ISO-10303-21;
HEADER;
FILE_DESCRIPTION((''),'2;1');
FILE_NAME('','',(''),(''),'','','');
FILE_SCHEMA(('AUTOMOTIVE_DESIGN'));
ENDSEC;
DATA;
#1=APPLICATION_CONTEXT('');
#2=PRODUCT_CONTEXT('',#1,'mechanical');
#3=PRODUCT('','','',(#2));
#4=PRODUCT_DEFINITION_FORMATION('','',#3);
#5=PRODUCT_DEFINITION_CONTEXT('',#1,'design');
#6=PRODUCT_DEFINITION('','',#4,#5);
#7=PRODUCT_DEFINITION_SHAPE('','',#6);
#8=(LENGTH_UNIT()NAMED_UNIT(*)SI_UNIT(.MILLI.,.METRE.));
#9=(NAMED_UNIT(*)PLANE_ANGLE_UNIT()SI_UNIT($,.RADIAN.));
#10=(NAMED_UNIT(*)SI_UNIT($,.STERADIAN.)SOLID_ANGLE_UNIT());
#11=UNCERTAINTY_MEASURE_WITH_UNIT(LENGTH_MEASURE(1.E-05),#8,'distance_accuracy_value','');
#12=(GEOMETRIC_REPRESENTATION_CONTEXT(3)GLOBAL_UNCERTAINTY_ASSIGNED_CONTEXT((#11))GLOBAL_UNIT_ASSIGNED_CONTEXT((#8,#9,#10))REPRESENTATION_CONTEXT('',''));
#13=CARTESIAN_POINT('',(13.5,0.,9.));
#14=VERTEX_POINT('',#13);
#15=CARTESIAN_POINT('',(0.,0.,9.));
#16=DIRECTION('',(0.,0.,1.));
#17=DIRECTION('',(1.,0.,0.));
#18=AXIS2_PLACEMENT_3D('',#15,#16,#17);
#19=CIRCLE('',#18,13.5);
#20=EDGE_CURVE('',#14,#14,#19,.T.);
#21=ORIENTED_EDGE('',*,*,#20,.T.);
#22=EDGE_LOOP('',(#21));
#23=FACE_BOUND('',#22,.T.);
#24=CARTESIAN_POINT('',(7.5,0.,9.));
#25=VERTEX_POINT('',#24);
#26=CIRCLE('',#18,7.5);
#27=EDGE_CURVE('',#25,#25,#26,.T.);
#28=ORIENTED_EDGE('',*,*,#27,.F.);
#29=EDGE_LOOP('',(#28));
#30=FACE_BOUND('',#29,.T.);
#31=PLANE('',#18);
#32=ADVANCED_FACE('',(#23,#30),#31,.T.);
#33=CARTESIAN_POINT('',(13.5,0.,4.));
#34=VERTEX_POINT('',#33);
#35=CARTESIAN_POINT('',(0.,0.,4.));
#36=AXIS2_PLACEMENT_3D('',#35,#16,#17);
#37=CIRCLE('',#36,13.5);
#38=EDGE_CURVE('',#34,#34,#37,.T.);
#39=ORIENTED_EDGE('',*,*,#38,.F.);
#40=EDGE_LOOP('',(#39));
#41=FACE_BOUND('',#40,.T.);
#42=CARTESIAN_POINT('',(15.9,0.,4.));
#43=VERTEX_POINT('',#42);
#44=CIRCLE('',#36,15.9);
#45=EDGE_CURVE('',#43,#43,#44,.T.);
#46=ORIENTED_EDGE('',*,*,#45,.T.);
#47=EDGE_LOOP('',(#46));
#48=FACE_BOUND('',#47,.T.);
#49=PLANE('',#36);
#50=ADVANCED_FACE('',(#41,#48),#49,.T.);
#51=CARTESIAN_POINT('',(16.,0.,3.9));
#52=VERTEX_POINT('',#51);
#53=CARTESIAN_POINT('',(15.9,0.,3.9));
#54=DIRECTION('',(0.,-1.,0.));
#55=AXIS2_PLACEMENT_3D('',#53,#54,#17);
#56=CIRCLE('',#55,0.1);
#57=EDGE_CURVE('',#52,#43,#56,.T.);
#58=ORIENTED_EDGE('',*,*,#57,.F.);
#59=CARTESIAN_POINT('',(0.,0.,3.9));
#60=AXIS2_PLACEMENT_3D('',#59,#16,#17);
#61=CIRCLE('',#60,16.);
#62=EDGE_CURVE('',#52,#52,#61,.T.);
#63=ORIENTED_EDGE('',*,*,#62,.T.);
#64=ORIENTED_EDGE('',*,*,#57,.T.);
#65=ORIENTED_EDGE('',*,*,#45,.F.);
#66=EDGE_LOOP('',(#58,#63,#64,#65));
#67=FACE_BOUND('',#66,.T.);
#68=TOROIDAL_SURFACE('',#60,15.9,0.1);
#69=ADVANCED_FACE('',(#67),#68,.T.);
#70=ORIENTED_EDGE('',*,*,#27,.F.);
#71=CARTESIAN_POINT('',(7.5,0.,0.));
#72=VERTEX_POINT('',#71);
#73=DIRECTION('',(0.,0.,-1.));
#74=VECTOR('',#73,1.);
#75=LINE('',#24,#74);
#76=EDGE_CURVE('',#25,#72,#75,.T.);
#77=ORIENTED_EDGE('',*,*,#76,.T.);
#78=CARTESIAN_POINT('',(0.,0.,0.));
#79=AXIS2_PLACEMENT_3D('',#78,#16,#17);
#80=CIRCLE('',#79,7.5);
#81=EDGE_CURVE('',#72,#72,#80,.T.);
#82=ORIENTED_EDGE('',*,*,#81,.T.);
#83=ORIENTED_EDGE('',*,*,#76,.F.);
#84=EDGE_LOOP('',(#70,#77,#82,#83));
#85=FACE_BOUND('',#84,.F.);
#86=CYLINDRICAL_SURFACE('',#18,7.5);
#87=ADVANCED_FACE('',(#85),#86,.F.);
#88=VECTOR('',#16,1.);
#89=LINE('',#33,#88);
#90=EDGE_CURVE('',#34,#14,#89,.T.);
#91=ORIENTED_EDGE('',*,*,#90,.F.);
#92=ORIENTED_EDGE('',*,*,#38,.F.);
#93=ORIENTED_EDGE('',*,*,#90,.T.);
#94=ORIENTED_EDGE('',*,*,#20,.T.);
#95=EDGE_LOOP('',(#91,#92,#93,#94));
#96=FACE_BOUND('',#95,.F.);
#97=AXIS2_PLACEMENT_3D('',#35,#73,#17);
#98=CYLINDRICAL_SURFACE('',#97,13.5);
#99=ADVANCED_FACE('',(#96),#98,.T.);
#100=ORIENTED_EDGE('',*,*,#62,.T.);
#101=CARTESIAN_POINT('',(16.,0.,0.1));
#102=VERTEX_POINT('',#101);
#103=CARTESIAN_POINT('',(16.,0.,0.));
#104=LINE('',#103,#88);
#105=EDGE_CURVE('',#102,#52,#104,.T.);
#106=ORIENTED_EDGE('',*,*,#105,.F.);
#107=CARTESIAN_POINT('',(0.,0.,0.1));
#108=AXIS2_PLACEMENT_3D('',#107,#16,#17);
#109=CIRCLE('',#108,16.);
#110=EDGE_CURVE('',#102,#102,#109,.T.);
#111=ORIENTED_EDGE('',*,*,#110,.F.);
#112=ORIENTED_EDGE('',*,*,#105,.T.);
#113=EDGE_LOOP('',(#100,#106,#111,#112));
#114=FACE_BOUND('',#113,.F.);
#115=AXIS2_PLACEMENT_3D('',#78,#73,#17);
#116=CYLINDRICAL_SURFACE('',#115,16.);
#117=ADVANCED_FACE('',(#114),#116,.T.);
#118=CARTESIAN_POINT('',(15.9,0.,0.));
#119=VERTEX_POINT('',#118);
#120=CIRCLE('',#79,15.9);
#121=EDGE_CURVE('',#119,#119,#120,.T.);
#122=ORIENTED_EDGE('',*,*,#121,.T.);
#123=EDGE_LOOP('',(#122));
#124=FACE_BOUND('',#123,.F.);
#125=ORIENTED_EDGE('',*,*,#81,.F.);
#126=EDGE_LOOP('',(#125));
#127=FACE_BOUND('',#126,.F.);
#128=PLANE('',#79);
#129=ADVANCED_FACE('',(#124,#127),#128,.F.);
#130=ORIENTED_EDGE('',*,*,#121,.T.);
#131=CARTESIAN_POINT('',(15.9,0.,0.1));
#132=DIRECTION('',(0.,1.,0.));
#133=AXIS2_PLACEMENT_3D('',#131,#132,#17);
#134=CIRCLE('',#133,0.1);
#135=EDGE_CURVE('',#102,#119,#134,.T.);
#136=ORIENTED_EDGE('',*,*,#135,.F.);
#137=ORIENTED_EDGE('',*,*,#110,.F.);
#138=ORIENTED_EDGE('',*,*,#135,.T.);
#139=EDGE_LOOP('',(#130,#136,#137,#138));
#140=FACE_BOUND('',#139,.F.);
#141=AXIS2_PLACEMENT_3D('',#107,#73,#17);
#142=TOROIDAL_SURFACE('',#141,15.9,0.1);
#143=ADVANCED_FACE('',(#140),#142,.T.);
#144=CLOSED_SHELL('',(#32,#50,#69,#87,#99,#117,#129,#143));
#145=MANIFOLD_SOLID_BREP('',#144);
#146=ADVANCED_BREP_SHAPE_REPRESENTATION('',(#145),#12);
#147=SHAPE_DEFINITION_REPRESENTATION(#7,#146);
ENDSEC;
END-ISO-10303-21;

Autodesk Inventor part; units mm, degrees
ref_plane "YZ Plane" through (0, 0, 0) normal (1, 0, 0) x (0, 1, 0)
ref_plane "XZ Plane" through (0, 0, 0) normal (0, 1, 0) x (-1, 0, 0)
ref_plane "XY Plane" through (0, 0, 0) normal (0, 0, 1) x (1, 0, 0)
sketch "スケッチ1" plane through (0, 0, 0) normal (0, 0, 1) x (1, 0, 0)
  circle A0 centre (0, 0) radius 16
  dimension "d0" = 32
extrude "押し出し1" add sketch "スケッチ1" along normal blind 4
sketch "スケッチ2" plane through (0, 0, 4) normal (0, 0, 1) x (1, 0, 0)
  circle A0 centre (0, 0) radius 13.5
  dimension "d3" = 27
extrude "押し出し2" add sketch "スケッチ2" along normal blind 5
sketch "スケッチ3" plane through (0, 0, 9) normal (0, 0, 1) x (1, 0, 0)
  circle A0 centre (0, 0) radius 7.5
  dimension "d6" = 15
extrude "押し出し3" cut sketch "スケッチ3" against normal through all
fillet "フィレット1" radius 0.1 2 edges at (-16, 0, 4) (-16, 0, 0)
properties part number "555_GearBox_Flange" material "鉄、鋳鉄"
